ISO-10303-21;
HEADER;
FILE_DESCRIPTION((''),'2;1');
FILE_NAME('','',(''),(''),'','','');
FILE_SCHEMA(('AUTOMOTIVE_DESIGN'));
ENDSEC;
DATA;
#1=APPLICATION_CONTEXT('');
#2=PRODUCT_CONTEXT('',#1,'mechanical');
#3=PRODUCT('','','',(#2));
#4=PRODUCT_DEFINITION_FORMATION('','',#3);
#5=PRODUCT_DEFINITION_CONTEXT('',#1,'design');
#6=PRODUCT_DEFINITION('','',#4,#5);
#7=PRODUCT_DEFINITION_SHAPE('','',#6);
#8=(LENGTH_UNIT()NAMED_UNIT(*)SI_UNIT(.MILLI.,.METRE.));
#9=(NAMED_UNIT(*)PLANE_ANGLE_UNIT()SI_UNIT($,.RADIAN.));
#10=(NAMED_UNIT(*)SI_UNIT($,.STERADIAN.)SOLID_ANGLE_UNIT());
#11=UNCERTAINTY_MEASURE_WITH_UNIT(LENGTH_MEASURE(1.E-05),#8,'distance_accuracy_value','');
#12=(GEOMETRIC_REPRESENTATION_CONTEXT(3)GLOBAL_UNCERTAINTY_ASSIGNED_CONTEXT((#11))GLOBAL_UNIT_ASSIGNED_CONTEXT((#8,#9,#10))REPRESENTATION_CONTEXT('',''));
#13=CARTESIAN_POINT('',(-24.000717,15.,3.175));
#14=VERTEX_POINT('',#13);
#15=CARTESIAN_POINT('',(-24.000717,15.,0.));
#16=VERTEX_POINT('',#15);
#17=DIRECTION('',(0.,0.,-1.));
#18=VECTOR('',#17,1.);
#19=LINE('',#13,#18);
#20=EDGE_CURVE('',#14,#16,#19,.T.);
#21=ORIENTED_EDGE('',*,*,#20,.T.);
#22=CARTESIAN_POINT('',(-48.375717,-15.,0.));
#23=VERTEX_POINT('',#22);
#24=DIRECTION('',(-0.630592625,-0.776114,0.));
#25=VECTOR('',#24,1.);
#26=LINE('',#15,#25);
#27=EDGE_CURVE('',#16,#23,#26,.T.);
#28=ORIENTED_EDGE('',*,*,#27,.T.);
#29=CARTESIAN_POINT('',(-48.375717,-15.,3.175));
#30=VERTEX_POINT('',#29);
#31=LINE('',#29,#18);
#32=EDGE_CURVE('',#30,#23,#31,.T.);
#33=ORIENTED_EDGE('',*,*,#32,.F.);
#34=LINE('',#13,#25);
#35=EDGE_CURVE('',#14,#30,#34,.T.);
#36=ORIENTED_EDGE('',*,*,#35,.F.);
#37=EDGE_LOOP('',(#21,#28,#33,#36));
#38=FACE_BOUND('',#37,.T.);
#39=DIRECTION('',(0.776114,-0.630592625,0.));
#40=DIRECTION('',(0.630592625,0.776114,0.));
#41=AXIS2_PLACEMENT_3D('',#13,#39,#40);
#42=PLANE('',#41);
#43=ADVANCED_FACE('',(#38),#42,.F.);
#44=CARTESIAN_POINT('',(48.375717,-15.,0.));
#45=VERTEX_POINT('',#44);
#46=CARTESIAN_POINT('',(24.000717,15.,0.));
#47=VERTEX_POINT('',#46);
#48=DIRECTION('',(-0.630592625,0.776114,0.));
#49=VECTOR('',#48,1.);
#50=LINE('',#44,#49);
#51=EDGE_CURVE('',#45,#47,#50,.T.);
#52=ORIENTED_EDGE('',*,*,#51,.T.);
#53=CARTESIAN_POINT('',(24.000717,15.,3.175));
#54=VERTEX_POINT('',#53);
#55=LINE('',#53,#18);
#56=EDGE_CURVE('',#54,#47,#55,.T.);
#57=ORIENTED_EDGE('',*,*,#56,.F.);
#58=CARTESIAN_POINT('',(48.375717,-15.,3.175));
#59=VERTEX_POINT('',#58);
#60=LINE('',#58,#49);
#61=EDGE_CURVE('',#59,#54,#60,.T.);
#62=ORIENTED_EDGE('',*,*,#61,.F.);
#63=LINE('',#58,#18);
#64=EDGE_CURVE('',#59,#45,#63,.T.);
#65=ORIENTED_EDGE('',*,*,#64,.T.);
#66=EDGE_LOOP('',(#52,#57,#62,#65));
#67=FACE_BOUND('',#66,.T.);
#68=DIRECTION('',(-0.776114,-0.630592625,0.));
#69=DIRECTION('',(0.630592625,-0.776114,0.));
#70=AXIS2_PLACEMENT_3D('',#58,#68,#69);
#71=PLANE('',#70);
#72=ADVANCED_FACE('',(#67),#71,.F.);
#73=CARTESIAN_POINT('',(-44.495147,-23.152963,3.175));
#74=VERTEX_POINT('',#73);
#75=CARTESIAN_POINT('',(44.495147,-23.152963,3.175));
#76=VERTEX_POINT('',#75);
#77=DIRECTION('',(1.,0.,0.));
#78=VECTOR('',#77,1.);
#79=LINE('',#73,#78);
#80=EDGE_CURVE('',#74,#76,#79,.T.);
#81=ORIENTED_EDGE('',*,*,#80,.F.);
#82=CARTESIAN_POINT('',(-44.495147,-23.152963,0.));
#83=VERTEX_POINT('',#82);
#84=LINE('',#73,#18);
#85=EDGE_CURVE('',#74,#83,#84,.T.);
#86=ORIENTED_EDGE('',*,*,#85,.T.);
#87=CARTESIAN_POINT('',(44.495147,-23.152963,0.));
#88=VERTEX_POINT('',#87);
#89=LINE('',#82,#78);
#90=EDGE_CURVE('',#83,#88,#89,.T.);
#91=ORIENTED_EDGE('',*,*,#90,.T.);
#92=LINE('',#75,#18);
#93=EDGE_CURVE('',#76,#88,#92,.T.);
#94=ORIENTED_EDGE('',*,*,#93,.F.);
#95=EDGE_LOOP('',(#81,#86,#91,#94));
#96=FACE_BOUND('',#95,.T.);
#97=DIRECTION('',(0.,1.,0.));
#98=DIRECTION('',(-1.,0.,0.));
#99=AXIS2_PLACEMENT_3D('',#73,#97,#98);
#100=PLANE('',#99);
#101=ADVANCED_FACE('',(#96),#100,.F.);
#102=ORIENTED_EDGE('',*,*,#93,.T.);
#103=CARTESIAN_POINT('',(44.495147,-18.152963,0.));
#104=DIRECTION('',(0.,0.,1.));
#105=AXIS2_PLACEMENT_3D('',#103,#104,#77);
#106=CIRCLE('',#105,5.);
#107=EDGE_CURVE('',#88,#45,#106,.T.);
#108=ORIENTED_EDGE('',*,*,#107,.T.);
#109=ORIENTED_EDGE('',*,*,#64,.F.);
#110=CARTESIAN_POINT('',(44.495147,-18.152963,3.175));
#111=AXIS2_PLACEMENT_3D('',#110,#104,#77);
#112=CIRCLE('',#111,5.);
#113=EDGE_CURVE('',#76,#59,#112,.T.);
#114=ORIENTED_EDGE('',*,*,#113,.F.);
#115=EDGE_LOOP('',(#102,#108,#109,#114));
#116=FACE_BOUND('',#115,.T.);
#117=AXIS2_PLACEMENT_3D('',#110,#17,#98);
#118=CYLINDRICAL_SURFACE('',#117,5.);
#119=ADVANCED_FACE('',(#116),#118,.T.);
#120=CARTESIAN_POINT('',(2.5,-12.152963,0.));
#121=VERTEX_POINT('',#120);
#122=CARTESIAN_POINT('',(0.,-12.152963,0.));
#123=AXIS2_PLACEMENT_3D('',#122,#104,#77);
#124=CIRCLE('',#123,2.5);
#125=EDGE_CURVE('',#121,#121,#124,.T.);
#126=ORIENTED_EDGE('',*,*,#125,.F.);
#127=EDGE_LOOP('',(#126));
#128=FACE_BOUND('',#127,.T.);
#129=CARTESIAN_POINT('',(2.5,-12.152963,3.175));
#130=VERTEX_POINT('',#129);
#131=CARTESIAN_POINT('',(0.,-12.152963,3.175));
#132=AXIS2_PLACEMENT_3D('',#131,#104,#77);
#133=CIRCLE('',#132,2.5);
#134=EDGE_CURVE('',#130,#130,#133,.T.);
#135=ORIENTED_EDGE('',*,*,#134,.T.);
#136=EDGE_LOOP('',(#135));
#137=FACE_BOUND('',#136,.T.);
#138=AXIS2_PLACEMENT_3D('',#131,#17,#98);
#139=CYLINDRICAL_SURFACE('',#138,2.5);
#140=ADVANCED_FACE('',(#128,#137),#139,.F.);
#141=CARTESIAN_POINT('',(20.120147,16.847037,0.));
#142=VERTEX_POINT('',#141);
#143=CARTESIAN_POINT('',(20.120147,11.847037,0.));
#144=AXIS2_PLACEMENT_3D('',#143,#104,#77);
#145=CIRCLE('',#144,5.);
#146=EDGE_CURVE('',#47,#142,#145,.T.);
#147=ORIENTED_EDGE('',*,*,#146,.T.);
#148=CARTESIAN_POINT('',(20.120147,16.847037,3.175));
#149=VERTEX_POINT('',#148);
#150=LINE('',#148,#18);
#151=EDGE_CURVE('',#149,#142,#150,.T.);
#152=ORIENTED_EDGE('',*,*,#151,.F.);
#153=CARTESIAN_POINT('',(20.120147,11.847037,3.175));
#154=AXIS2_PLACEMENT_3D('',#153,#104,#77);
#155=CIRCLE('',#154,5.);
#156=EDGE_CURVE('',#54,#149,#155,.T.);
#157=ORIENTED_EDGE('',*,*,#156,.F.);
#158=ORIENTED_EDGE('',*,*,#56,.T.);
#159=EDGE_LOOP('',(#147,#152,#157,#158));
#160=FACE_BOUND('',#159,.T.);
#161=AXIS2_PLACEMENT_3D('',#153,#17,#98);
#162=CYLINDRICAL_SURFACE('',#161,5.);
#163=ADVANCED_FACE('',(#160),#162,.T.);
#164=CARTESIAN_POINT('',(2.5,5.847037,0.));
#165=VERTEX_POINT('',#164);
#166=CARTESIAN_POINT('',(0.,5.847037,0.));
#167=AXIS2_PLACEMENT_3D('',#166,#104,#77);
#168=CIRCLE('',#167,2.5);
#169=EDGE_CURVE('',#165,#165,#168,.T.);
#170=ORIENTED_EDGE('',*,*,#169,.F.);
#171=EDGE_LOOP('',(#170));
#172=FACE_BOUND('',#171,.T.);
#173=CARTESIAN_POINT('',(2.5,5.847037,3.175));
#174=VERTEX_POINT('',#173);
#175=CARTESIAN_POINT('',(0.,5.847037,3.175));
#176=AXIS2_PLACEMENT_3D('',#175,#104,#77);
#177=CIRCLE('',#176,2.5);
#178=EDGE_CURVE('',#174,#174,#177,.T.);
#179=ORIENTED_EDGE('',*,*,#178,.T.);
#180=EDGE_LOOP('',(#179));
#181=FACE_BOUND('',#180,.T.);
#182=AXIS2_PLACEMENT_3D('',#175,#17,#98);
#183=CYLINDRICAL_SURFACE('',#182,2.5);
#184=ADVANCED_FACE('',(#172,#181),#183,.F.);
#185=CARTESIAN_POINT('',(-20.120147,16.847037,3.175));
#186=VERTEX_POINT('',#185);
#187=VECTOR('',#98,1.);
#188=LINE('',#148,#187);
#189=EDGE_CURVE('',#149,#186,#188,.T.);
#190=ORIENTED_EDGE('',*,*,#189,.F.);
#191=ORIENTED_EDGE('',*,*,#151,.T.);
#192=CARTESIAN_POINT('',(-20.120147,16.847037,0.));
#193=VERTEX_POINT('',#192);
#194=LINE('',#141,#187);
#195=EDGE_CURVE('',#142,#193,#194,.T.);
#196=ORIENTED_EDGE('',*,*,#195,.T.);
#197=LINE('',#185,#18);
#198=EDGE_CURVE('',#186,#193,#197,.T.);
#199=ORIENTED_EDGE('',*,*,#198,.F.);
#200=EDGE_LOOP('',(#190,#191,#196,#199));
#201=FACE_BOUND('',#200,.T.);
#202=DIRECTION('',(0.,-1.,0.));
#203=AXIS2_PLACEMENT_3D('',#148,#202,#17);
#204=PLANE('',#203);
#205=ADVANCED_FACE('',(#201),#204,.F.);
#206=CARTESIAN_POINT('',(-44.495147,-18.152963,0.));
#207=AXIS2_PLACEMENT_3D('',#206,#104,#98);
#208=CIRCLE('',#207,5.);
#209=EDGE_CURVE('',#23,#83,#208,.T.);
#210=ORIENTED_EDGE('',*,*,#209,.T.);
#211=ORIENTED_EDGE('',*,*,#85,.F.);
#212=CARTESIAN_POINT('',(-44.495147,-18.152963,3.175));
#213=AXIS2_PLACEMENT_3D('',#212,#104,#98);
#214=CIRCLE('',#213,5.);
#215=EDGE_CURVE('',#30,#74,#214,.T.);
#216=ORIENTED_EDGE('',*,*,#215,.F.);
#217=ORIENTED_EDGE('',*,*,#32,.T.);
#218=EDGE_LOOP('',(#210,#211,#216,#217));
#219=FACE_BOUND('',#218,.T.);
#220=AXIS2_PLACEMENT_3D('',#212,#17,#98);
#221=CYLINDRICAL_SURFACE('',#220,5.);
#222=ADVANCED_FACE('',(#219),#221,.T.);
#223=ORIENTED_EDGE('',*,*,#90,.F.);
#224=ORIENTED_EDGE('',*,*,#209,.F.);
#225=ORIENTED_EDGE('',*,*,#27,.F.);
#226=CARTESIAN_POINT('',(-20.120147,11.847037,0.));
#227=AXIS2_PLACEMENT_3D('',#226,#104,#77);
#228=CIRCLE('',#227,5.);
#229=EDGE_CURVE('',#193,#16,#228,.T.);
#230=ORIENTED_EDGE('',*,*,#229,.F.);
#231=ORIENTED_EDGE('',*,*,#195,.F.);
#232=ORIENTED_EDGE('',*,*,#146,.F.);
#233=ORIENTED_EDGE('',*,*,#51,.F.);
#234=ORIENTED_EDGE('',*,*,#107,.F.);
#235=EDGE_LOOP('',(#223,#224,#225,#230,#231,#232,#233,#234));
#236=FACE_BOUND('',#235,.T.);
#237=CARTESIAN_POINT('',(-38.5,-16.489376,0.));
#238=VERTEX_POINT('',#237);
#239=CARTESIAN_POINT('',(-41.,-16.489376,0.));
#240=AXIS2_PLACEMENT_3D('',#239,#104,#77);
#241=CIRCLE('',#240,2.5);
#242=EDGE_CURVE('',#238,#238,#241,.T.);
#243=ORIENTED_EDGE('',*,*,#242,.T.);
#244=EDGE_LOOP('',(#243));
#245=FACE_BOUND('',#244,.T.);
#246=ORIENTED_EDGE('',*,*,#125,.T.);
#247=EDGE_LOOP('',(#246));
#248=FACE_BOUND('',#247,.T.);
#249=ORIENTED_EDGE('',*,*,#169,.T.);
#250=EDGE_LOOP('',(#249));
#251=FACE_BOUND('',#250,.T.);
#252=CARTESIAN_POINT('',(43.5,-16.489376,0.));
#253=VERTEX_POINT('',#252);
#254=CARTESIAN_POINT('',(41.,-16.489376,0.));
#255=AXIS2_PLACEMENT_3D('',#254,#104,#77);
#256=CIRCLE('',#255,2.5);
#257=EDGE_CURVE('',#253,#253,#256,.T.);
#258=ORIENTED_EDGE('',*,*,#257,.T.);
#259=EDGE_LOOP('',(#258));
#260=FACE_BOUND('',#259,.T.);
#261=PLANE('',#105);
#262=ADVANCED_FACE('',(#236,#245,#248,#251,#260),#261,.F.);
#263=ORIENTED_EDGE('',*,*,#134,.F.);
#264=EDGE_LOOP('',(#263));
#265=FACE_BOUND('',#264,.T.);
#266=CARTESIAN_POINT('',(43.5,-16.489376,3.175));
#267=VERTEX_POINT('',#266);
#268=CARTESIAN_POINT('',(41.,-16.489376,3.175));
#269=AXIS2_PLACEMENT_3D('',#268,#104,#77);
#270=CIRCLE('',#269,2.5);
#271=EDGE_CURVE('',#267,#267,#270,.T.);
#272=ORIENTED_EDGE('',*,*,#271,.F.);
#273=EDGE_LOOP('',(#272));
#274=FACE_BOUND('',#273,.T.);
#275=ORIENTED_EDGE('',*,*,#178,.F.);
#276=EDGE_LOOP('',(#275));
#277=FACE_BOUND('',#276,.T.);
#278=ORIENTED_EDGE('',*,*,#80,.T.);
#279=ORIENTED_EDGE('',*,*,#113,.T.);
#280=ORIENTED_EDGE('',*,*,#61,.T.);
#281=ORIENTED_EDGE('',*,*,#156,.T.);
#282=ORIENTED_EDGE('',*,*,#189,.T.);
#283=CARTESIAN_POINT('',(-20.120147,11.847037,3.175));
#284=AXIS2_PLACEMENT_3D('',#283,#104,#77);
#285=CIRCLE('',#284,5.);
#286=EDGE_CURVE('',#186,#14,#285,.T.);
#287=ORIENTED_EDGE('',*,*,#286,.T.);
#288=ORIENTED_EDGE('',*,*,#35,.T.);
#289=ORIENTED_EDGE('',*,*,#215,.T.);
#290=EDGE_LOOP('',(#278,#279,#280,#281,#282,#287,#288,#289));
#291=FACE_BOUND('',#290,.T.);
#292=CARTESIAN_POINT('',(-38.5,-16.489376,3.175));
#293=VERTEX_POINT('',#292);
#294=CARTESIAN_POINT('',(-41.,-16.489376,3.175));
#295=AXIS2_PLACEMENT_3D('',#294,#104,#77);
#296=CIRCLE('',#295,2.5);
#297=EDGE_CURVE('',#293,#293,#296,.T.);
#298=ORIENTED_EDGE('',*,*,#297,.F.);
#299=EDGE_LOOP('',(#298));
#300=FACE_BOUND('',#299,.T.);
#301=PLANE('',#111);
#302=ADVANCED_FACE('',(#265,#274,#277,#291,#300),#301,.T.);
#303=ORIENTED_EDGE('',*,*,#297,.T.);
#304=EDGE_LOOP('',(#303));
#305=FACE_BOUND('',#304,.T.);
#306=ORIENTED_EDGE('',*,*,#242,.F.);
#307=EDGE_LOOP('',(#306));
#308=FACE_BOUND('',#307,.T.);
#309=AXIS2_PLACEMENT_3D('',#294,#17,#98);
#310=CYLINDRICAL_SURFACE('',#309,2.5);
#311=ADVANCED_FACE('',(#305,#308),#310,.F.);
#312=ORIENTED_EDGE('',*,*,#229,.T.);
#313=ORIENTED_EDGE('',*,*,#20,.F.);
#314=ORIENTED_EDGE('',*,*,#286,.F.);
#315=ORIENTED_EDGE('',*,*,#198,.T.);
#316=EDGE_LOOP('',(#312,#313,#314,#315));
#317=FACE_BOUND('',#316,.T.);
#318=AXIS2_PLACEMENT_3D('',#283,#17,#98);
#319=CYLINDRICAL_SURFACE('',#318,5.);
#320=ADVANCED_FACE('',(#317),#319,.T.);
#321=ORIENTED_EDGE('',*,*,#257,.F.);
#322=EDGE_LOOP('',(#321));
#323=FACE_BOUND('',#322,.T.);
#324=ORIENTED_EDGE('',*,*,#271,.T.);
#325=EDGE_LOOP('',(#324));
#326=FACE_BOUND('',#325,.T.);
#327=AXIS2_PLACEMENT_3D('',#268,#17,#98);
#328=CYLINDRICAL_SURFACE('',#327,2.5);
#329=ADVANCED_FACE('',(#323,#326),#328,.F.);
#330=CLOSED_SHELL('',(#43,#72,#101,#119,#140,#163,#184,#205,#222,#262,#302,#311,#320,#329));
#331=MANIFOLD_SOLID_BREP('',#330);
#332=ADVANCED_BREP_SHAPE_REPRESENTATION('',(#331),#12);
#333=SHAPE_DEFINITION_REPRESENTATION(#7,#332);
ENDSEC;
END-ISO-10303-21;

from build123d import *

# Parameters (mm, degrees)
SKETCH1_R           = 2.5
BOSS_EXTRUDE1_DEPTH = 3.175


with BuildPart() as part:
    # Sketch1 → Boss-Extrude1 (new body)
    with BuildSketch(Plane.XY):
        with BuildLine():
            Line((-44.49514746, -23.152963125), (44.49514746, -23.152963125))
            ThreePointArc((44.49514746, -23.152963125), (49.009835468, -20.30182147), (48.375717461, -15))
            Line((48.375717461, -15), (24.000717461, 15))
            ThreePointArc((24.000717461, 15), (22.269005805, 16.361724883), (20.12014746, 16.847036875))
            Line((20.12014746, 16.847036875), (-20.12014746, 16.847036875))
            ThreePointArc((-20.12014746, 16.847036875), (-22.269005805, 16.361724883), (-24.000717461, 15))
            Line((-24.000717461, 15), (-48.375717461, -15))
            ThreePointArc((-48.375717461, -15), (-49.009835468, -20.30182147), (-44.49514746, -23.152963125))
        make_face()
        with Locations((0, 5.847036875)):
            Circle(SKETCH1_R, mode=Mode.SUBTRACT)
        with Locations((0, -12.152963125)):
            Circle(SKETCH1_R, mode=Mode.SUBTRACT)
        with Locations((-41, -16.489376013)):
            Circle(SKETCH1_R, mode=Mode.SUBTRACT)
        with Locations((41, -16.489376013)):
            Circle(SKETCH1_R, mode=Mode.SUBTRACT)
    extrude(amount=BOSS_EXTRUDE1_DEPTH)


solid = part.part
